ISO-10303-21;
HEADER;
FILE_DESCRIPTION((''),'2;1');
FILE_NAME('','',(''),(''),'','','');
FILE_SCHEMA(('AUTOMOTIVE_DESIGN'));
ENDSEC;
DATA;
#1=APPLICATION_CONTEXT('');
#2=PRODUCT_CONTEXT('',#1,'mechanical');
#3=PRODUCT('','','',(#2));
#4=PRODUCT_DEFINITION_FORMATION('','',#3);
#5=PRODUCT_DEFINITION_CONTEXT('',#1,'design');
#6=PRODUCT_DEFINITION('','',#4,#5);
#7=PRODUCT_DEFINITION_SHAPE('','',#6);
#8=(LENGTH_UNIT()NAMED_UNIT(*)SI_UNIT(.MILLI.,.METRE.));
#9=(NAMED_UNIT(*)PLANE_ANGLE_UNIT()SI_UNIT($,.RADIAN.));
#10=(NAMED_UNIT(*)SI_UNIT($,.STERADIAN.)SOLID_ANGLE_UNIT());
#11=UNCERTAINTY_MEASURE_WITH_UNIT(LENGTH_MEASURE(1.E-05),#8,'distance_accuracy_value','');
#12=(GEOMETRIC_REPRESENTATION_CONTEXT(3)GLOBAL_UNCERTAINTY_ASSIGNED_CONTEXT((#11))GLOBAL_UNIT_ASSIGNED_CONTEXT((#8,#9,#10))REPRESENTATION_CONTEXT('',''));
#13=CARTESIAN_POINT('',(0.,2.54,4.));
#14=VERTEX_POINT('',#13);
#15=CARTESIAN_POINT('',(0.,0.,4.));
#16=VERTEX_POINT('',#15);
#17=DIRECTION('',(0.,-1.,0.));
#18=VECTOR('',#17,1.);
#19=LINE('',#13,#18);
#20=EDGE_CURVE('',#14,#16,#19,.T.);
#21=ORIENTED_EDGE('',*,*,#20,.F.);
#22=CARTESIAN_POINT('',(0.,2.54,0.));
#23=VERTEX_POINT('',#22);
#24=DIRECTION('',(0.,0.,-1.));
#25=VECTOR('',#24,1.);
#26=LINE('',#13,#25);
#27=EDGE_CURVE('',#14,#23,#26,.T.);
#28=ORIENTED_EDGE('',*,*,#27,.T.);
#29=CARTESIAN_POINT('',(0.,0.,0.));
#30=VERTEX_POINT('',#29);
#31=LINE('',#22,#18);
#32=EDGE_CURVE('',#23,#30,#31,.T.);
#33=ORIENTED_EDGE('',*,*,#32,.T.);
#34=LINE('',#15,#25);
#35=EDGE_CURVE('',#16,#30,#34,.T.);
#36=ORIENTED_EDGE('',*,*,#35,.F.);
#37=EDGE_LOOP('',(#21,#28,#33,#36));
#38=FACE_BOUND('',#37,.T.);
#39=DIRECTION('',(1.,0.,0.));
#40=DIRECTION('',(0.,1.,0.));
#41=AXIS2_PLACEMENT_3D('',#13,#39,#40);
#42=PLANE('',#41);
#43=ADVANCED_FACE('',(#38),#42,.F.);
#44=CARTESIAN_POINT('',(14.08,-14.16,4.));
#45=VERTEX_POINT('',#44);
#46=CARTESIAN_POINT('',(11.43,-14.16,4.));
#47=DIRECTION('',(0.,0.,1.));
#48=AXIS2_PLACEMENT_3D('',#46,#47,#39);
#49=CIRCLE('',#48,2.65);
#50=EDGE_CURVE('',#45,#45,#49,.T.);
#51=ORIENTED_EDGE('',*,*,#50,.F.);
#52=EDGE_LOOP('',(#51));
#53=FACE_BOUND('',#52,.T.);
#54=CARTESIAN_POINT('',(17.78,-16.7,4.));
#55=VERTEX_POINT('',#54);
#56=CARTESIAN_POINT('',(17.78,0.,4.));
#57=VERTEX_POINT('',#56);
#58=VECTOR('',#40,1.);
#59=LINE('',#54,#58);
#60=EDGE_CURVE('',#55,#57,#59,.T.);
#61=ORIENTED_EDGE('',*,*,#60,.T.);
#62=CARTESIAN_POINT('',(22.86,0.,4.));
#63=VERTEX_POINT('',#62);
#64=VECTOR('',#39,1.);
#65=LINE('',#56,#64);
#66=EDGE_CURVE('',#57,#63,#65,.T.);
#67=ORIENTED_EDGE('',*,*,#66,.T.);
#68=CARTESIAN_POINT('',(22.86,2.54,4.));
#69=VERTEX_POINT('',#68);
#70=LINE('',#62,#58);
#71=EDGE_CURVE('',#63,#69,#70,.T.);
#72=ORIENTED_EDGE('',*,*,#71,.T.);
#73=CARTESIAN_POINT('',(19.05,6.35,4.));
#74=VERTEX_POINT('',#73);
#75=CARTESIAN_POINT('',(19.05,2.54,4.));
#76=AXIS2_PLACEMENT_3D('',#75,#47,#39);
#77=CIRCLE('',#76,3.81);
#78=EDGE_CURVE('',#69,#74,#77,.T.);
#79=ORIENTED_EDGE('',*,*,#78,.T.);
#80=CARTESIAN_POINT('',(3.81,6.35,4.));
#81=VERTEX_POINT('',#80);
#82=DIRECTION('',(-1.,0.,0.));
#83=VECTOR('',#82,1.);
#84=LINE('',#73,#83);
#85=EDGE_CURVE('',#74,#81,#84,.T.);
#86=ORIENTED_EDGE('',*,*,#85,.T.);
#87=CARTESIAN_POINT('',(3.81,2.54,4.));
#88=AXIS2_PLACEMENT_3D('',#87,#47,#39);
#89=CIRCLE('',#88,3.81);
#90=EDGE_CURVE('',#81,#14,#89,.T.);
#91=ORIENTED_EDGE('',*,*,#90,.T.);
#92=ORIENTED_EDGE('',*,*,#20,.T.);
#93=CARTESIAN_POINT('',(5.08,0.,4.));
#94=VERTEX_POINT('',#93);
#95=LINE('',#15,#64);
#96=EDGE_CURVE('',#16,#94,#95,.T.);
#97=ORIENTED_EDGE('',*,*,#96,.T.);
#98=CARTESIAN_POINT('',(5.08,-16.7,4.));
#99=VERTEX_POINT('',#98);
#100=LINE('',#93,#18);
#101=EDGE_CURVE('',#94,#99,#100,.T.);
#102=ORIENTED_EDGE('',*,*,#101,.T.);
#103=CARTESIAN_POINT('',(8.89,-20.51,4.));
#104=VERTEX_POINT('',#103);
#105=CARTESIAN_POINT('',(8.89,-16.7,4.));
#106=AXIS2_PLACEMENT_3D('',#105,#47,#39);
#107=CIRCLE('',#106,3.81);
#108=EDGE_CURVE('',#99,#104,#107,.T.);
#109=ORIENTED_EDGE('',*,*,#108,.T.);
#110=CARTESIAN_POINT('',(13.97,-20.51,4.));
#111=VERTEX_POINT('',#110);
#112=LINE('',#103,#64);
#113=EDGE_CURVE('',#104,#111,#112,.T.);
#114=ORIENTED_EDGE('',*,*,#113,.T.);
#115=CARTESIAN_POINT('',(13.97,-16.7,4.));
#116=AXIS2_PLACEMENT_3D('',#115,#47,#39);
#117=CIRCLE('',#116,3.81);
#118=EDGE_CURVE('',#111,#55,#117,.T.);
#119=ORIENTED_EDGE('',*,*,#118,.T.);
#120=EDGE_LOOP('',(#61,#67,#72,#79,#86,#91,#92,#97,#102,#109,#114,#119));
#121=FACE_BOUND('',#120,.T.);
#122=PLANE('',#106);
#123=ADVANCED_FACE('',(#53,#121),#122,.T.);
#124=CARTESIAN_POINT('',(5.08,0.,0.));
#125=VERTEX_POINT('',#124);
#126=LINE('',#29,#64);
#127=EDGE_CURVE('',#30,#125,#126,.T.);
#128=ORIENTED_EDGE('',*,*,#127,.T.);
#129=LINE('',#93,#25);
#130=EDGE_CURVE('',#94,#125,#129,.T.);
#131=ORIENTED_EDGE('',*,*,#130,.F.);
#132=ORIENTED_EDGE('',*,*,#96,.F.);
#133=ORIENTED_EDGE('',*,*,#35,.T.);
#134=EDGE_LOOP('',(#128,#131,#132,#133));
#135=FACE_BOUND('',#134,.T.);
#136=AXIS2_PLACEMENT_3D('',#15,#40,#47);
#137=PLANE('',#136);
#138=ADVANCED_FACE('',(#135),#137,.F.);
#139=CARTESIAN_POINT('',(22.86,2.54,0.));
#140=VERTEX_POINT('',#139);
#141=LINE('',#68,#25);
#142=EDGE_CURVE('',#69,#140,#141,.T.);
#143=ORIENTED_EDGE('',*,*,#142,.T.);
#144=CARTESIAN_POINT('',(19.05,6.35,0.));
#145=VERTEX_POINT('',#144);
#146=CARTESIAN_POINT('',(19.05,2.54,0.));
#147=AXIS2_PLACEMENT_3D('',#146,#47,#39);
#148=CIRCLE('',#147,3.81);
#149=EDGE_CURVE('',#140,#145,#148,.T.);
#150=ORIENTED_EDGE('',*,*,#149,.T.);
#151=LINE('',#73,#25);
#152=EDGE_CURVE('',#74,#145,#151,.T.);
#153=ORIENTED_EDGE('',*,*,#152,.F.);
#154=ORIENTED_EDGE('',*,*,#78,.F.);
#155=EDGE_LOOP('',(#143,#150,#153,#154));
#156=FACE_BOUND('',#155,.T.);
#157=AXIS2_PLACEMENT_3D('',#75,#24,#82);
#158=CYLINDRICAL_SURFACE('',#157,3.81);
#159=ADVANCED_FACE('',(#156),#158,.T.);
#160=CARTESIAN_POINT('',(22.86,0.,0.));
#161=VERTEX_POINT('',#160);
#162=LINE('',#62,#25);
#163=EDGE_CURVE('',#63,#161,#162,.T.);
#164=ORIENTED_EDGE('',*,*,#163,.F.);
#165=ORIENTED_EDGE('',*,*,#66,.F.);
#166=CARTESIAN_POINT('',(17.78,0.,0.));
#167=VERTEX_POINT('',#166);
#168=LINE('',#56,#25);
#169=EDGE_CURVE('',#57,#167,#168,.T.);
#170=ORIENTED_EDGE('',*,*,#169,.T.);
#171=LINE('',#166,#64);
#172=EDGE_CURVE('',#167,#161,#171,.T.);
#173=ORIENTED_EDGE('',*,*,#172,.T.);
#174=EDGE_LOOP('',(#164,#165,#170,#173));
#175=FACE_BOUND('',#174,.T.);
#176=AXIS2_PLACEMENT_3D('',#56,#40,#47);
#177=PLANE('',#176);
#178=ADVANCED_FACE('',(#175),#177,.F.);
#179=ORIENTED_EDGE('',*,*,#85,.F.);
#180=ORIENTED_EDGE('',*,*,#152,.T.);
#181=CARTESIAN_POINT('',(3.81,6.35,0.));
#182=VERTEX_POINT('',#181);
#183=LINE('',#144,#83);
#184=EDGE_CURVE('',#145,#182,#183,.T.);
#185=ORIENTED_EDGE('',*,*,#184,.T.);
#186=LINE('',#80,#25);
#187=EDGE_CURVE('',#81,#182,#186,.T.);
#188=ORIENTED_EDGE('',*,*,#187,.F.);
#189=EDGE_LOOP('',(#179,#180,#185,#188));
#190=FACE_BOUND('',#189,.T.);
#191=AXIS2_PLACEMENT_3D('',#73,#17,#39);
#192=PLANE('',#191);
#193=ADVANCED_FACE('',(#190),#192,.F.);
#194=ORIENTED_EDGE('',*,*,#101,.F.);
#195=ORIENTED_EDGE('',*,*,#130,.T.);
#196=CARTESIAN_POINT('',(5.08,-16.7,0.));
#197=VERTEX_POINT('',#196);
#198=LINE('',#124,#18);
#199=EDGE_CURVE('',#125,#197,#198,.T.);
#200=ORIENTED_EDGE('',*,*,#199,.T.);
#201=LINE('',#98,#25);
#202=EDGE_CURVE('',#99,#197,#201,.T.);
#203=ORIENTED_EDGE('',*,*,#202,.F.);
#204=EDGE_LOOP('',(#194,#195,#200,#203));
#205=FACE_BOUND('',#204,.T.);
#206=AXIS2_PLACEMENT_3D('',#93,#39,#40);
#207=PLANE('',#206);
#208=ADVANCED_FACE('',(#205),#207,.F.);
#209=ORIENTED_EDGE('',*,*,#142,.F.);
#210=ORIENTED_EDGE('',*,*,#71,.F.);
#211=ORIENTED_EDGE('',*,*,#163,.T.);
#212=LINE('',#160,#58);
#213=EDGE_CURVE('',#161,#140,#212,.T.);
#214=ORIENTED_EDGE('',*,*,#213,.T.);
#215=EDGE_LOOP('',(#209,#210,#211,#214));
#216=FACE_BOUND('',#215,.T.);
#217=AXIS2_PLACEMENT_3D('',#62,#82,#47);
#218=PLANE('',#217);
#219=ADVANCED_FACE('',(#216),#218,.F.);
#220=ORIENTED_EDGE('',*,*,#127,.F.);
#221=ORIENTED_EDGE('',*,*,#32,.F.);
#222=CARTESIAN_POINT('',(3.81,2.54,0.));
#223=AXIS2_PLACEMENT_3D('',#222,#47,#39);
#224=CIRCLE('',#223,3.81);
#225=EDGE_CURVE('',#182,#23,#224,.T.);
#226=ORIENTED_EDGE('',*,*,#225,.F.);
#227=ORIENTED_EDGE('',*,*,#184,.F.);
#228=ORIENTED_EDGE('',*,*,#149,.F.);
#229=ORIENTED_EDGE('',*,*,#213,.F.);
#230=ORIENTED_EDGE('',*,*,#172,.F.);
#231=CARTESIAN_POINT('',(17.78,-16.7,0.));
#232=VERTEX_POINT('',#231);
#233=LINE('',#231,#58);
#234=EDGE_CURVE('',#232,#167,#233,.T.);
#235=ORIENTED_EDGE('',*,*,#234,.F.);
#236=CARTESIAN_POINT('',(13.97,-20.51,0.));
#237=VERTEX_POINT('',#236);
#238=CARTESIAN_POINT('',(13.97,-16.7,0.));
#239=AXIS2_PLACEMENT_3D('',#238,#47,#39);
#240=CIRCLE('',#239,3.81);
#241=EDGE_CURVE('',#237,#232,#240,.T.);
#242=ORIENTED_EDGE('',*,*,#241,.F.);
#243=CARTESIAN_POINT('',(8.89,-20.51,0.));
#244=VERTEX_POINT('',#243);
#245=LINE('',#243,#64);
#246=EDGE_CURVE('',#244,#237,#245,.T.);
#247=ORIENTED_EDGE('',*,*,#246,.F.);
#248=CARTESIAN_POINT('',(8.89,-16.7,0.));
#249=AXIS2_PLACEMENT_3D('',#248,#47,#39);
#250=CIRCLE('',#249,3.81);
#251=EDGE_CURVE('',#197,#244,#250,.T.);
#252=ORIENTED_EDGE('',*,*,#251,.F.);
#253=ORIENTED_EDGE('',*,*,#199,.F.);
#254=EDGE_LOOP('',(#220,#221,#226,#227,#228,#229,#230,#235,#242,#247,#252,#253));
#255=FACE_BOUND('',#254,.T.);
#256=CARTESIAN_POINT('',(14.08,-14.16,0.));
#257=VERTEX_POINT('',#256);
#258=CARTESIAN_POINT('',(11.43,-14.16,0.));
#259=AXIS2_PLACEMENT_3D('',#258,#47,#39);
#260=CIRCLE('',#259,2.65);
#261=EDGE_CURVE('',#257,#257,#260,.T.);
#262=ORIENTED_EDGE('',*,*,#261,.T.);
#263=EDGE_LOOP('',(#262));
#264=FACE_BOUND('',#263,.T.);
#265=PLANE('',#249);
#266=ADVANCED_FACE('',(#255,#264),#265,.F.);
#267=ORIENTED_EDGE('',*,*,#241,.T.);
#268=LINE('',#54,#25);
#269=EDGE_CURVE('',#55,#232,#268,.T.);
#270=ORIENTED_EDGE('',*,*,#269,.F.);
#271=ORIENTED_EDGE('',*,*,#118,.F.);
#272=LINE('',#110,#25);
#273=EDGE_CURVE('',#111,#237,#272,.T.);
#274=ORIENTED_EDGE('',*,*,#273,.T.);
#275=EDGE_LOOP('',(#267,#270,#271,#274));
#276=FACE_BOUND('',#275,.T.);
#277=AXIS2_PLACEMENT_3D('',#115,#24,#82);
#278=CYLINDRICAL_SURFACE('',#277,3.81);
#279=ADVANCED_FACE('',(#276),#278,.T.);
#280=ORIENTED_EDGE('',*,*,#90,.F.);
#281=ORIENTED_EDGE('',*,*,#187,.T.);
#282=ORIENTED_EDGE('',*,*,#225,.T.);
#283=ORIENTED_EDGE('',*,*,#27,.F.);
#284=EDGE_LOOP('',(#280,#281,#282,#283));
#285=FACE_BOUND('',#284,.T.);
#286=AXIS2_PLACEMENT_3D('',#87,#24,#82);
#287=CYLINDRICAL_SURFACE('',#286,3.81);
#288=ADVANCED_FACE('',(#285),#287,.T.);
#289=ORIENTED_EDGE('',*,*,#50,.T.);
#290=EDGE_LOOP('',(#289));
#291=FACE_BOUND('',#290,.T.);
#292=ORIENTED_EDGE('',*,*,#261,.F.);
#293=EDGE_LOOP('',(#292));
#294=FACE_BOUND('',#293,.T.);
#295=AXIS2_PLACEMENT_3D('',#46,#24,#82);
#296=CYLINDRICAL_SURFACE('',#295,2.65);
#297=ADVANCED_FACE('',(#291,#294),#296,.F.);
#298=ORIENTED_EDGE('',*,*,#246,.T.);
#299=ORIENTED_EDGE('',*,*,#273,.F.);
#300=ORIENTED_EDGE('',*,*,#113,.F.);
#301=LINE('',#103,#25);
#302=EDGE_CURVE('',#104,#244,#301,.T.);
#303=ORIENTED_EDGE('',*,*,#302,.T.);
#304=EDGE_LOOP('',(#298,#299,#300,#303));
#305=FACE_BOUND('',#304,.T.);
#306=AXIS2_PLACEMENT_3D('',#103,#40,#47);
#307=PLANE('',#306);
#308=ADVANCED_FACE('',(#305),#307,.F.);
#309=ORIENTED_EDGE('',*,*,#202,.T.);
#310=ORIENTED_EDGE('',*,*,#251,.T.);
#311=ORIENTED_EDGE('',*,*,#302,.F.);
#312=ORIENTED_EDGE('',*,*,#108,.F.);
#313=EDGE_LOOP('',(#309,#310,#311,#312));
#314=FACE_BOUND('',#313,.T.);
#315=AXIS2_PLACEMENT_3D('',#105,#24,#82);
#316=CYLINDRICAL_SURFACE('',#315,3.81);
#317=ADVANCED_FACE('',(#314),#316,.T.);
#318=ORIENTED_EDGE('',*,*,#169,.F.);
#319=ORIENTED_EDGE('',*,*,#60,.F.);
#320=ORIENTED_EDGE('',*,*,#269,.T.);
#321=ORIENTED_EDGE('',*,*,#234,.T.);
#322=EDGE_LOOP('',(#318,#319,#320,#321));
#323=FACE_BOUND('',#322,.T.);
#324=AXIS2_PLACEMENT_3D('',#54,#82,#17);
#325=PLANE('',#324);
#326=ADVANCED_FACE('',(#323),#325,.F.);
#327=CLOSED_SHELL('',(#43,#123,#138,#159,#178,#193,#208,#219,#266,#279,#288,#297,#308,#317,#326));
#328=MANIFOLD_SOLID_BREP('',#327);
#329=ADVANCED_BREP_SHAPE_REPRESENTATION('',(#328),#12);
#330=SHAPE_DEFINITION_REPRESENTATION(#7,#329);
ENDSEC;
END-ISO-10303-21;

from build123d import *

# Parameters (mm, degrees)
SKETCH1_R           = 2.65
BOSS_EXTRUDE1_DEPTH = 4


with BuildPart() as part:
    # Sketch1 → Boss-Extrude1 (new body)
    with BuildSketch(Plane.XY):
        with BuildLine():
            Line((0, 0), (5.08, 0))
            Line((5.08, 0), (5.08, -16.7))
            ThreePointArc((5.08, -16.7), (6.195923164, -19.394076836), (8.89, -20.51))
            Line((8.89, -20.51), (13.97, -20.51))
            ThreePointArc((13.97, -20.51), (16.664076836, -19.394076836), (17.78, -16.7))
            Line((17.78, -16.7), (17.78, 0))
            Line((17.78, 0), (22.86, 0))
            Line((22.86, 0), (22.86, 2.54))
            ThreePointArc((22.86, 2.54), (21.744076836, 5.234076836), (19.05, 6.35))
            Line((19.05, 6.35), (3.81, 6.35))
            ThreePointArc((3.81, 6.35), (1.115923164, 5.234076836), (0, 2.54))
            Line((0, 2.54), (0, 0))
        make_face()
        with Locations((11.43, -14.16)):
            Circle(SKETCH1_R, mode=Mode.SUBTRACT)
    extrude(amount=BOSS_EXTRUDE1_DEPTH)


solid = part.part
